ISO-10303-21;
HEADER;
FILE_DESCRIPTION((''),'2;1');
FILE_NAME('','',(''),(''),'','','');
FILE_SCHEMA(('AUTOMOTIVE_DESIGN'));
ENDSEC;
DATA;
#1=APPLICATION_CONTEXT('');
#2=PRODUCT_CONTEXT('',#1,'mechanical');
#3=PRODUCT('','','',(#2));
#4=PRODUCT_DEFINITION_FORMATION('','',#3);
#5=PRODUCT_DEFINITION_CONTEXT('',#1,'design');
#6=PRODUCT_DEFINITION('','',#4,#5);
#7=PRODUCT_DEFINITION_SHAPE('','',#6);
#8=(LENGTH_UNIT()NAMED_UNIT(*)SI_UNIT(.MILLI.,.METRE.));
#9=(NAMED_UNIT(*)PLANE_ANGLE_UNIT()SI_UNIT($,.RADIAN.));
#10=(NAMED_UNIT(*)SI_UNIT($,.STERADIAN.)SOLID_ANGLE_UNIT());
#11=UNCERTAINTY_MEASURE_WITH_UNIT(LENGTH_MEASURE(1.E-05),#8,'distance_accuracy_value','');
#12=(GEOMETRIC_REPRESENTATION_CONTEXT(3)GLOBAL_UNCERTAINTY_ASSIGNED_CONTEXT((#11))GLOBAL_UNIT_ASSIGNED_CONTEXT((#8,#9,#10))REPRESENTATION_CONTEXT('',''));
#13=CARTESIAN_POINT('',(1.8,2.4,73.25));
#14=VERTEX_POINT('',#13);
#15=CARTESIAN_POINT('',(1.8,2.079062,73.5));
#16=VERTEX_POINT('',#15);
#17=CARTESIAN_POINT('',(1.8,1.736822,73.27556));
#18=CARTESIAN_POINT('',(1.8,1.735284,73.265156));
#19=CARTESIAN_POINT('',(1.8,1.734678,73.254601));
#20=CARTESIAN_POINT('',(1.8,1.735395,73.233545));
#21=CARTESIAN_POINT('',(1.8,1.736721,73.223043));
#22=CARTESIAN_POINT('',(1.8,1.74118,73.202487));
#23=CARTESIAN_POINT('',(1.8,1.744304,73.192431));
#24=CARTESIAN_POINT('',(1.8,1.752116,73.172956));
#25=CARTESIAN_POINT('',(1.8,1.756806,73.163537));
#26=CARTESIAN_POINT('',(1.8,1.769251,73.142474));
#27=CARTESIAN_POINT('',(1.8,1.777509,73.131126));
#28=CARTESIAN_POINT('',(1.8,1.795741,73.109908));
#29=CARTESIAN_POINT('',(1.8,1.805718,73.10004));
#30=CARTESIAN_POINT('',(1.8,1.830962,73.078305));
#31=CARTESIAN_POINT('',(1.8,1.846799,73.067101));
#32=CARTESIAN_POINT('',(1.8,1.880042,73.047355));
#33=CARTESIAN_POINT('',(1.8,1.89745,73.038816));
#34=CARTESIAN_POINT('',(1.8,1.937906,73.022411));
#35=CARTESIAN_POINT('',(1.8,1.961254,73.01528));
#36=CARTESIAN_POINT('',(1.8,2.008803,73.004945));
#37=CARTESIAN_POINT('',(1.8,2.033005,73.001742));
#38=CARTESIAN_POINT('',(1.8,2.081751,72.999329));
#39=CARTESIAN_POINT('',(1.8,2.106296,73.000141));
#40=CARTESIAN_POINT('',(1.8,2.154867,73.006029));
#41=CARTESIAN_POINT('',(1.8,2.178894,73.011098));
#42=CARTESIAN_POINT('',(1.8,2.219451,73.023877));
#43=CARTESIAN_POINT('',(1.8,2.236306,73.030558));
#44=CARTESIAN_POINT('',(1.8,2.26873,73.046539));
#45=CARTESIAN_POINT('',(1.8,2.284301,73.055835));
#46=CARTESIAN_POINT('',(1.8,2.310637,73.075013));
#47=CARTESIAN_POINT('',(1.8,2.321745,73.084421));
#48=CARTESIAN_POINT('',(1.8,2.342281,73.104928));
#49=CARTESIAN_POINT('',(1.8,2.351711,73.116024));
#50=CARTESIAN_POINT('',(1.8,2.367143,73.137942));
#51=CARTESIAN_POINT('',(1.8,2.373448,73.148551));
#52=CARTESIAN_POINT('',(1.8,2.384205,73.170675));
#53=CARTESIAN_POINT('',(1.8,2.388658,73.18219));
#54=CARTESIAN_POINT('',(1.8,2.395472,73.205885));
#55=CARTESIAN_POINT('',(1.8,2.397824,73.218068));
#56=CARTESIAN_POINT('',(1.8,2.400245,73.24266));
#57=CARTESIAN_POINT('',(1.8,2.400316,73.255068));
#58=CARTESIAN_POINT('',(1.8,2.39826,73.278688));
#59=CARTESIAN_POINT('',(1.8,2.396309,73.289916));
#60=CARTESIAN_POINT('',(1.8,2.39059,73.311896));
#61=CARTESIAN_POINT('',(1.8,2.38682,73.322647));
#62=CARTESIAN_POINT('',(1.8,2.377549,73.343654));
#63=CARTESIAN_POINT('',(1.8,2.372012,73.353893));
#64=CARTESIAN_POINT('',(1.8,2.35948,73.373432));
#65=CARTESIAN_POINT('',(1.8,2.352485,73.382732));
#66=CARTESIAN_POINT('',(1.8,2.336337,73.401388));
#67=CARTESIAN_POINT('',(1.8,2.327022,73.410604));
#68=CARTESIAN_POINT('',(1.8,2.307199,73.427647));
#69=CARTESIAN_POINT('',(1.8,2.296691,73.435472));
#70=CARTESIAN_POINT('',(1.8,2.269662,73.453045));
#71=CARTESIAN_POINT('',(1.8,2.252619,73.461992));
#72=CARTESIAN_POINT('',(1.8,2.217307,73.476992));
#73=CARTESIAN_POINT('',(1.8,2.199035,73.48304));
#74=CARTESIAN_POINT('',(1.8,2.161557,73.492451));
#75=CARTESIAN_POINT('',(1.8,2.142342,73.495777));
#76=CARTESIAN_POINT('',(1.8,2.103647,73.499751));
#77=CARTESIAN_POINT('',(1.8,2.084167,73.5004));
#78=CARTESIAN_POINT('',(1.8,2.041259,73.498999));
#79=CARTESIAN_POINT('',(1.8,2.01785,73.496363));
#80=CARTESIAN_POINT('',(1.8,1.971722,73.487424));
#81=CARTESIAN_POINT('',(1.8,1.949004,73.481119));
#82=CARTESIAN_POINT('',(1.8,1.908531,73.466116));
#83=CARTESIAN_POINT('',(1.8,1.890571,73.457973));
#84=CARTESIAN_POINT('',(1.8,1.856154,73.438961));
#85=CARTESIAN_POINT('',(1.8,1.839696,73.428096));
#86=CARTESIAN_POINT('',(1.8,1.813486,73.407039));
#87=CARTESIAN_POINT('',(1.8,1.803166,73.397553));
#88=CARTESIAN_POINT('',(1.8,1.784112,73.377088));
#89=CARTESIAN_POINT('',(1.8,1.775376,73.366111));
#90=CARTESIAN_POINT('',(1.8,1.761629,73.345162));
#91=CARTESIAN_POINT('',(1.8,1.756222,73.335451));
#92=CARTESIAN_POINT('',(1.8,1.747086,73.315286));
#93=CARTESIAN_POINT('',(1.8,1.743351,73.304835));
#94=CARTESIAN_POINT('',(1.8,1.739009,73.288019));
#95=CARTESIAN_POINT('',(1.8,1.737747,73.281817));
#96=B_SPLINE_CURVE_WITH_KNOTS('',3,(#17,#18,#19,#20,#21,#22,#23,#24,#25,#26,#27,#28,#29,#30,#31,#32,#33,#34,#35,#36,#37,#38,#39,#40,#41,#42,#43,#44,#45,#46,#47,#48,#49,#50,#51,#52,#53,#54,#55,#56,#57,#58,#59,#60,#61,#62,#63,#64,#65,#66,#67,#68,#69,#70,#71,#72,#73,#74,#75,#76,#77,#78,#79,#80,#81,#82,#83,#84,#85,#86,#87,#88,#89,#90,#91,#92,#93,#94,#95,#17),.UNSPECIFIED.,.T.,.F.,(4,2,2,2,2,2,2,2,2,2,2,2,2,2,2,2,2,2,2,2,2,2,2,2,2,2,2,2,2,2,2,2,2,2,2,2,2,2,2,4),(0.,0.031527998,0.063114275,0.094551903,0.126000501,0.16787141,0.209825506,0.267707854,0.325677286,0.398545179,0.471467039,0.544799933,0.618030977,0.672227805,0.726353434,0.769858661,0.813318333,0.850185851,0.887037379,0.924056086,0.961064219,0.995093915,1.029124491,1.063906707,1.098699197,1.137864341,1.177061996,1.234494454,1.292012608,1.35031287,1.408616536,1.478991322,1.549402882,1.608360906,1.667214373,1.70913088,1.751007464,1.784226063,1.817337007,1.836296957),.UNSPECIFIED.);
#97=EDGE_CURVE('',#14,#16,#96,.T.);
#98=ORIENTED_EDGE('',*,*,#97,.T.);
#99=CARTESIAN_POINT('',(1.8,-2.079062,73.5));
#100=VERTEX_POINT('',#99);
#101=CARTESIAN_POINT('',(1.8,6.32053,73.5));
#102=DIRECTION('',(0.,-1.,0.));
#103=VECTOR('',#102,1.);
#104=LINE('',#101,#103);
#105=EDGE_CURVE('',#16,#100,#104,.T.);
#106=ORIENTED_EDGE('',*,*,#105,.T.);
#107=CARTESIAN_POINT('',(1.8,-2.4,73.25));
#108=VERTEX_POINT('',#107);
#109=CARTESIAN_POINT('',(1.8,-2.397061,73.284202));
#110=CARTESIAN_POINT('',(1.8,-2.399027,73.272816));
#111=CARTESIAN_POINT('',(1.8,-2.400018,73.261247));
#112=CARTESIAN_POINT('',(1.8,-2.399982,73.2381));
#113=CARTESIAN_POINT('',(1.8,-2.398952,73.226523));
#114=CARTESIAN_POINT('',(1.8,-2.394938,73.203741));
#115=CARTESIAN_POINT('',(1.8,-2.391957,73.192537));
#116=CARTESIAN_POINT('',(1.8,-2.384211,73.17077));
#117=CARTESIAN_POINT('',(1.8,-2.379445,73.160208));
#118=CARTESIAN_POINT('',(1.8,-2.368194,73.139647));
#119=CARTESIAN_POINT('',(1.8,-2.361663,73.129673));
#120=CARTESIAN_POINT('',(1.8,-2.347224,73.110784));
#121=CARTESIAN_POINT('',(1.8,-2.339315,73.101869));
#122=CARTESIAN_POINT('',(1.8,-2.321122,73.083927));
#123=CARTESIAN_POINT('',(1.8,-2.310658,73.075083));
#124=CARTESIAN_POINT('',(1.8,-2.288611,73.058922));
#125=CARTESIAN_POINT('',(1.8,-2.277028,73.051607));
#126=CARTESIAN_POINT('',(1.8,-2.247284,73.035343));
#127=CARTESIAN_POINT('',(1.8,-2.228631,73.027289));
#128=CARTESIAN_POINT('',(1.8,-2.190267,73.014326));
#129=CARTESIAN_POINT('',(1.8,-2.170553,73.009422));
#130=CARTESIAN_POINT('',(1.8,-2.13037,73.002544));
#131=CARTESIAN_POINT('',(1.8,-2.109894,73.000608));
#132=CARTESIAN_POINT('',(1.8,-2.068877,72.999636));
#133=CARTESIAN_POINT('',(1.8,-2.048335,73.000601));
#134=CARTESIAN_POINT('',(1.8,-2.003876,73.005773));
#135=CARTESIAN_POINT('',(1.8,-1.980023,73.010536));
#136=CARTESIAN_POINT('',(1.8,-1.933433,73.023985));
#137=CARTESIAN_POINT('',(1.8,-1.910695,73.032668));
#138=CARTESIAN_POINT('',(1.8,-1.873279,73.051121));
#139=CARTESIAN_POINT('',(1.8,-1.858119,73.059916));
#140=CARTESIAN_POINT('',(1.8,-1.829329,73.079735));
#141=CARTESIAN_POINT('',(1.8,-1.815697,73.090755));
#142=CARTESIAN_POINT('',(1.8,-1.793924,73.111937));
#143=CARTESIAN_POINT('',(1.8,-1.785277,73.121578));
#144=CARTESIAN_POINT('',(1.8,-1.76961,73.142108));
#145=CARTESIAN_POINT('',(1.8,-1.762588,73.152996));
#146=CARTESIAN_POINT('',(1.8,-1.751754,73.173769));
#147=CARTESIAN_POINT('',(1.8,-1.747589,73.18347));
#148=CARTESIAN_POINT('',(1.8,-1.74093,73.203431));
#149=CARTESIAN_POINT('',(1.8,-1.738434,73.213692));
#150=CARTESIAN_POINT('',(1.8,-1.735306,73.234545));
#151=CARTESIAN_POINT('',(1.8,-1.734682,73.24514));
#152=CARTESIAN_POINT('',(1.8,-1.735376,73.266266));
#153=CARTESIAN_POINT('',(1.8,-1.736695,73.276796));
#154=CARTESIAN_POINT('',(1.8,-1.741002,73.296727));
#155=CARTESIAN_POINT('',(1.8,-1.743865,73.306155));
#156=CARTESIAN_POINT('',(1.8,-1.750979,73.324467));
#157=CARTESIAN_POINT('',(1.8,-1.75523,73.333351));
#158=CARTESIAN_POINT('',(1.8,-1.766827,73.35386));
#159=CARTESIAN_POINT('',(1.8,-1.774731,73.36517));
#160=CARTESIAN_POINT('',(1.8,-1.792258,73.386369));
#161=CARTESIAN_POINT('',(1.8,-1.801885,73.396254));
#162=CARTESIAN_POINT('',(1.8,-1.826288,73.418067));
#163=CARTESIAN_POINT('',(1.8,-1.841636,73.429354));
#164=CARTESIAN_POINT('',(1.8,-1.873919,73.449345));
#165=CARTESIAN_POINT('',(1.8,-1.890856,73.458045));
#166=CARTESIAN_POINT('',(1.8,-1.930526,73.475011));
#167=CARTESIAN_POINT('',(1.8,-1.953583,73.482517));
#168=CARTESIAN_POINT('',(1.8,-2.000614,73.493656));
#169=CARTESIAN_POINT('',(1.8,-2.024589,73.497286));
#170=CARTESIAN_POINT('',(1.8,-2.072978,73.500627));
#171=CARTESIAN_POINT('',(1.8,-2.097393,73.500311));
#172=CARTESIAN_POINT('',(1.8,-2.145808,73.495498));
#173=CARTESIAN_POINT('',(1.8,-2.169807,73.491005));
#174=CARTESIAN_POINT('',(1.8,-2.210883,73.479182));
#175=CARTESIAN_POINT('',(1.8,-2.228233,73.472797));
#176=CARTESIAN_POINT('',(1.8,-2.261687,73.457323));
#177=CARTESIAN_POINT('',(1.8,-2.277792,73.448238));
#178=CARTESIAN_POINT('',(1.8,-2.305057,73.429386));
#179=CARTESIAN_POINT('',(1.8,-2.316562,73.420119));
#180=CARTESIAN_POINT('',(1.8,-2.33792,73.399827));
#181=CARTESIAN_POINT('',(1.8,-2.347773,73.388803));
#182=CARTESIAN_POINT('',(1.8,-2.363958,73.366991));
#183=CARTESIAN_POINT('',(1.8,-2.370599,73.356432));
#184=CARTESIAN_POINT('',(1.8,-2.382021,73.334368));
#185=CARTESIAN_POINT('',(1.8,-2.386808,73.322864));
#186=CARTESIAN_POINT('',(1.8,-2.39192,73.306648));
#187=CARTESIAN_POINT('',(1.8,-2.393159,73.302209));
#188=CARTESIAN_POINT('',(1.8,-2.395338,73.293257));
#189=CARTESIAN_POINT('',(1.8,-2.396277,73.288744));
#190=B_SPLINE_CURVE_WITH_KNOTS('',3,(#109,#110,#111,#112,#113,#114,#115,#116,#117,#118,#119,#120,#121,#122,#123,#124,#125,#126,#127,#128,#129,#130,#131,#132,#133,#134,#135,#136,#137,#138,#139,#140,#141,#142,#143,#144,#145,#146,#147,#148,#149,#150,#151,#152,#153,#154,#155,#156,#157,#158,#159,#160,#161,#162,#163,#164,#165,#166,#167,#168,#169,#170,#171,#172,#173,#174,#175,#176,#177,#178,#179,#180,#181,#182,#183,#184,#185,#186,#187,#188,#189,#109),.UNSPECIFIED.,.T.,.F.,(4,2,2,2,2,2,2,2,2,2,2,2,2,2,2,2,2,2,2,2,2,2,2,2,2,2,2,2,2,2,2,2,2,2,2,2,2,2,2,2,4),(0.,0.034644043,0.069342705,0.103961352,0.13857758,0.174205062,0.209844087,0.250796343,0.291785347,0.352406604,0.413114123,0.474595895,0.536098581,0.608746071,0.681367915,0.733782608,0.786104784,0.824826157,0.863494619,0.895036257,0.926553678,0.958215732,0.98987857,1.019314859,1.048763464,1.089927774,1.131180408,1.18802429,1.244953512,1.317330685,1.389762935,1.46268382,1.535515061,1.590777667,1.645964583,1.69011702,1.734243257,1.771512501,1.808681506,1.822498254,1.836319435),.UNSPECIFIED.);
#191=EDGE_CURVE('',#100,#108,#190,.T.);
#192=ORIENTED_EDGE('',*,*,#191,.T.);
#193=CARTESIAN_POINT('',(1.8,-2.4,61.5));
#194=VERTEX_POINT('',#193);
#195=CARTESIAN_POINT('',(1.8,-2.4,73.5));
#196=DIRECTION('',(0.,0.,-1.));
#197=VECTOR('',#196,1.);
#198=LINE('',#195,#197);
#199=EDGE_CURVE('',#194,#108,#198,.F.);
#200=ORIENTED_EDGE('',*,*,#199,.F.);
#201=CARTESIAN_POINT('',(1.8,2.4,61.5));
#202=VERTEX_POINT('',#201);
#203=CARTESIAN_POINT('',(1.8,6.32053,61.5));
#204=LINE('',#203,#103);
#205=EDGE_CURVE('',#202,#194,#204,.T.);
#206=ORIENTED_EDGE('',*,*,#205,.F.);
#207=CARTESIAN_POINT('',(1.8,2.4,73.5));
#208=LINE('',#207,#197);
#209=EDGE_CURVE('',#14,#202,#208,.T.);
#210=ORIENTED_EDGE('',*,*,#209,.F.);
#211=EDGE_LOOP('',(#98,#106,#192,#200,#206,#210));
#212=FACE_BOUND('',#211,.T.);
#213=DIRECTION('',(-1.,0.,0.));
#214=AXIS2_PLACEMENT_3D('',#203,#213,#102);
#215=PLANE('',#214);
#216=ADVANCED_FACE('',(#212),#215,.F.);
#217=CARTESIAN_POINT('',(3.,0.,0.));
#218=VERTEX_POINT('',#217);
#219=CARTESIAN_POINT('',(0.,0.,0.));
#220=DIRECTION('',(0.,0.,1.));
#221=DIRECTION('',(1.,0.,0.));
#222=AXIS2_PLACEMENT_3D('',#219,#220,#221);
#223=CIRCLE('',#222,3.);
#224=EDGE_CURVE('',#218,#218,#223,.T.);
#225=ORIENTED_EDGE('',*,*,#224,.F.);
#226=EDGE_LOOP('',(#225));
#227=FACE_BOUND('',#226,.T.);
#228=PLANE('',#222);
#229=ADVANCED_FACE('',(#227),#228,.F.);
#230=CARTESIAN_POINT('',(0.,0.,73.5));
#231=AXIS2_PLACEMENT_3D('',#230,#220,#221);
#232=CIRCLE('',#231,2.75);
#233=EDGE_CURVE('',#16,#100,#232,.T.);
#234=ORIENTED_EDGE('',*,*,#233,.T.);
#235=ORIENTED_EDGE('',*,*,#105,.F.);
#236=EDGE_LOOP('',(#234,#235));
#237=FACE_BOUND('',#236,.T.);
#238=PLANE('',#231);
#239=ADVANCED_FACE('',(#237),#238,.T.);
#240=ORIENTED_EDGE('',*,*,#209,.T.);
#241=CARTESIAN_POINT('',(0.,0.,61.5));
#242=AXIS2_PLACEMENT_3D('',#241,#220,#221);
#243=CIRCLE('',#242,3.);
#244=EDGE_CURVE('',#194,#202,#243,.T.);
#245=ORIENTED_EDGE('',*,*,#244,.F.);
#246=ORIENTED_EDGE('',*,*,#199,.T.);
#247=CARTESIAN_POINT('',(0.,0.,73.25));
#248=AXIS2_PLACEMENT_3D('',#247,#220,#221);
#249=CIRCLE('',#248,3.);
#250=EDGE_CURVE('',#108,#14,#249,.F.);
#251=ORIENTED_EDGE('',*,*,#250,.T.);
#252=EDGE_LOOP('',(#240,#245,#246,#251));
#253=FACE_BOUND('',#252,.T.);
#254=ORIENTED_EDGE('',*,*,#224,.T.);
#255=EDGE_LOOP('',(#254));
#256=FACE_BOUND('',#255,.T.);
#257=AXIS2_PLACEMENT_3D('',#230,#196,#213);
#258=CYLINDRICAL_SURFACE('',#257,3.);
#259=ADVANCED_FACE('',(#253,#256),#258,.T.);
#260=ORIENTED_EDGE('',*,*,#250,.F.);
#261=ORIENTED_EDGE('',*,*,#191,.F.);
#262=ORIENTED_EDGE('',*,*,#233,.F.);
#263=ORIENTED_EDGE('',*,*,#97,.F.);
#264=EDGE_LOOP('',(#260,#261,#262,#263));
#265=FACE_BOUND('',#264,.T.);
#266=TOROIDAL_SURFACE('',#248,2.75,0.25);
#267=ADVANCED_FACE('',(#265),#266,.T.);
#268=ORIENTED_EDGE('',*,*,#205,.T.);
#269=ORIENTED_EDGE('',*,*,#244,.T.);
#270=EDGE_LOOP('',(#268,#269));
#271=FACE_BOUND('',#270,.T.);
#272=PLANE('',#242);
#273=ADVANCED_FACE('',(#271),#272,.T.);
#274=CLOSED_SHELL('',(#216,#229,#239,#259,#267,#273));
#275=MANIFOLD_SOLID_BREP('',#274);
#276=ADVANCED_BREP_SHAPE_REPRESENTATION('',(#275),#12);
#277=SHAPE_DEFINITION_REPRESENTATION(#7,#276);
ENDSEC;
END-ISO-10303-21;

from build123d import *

# Parameters (mm, degrees)
CROQUIS1_R              = 3
SALIENTE_EXTRUIR1_DEPTH = 73.5
REDONDEO1_R             = 0.25
SKETCH1_W               = 3.065124184
SKETCH1_H               = 10
CUT_EXTRUDE1_DEPTH      = 12


with BuildPart() as part:
    # Croquis1 → Saliente-Extruir1 (new body)
    with BuildSketch(Plane.XY):
        Circle(CROQUIS1_R)
    extrude(amount=SALIENTE_EXTRUIR1_DEPTH)

    # Redondeo1
    redondeo1_edges = [part.edges().sort_by_distance(p)[0] for p in [
        (-3, 0, 73.5),
    ]]
    fillet(redondeo1_edges, radius=REDONDEO1_R)

    # Sketch1 → Cut-Extrude1 (cut)
    with BuildSketch(Plane.XY.offset(73.5)):
        with Locations((3.332562092, 1.320530023)):
            Rectangle(SKETCH1_W, SKETCH1_H)
    extrude(amount=-CUT_EXTRUDE1_DEPTH, mode=Mode.SUBTRACT)


solid = part.part
